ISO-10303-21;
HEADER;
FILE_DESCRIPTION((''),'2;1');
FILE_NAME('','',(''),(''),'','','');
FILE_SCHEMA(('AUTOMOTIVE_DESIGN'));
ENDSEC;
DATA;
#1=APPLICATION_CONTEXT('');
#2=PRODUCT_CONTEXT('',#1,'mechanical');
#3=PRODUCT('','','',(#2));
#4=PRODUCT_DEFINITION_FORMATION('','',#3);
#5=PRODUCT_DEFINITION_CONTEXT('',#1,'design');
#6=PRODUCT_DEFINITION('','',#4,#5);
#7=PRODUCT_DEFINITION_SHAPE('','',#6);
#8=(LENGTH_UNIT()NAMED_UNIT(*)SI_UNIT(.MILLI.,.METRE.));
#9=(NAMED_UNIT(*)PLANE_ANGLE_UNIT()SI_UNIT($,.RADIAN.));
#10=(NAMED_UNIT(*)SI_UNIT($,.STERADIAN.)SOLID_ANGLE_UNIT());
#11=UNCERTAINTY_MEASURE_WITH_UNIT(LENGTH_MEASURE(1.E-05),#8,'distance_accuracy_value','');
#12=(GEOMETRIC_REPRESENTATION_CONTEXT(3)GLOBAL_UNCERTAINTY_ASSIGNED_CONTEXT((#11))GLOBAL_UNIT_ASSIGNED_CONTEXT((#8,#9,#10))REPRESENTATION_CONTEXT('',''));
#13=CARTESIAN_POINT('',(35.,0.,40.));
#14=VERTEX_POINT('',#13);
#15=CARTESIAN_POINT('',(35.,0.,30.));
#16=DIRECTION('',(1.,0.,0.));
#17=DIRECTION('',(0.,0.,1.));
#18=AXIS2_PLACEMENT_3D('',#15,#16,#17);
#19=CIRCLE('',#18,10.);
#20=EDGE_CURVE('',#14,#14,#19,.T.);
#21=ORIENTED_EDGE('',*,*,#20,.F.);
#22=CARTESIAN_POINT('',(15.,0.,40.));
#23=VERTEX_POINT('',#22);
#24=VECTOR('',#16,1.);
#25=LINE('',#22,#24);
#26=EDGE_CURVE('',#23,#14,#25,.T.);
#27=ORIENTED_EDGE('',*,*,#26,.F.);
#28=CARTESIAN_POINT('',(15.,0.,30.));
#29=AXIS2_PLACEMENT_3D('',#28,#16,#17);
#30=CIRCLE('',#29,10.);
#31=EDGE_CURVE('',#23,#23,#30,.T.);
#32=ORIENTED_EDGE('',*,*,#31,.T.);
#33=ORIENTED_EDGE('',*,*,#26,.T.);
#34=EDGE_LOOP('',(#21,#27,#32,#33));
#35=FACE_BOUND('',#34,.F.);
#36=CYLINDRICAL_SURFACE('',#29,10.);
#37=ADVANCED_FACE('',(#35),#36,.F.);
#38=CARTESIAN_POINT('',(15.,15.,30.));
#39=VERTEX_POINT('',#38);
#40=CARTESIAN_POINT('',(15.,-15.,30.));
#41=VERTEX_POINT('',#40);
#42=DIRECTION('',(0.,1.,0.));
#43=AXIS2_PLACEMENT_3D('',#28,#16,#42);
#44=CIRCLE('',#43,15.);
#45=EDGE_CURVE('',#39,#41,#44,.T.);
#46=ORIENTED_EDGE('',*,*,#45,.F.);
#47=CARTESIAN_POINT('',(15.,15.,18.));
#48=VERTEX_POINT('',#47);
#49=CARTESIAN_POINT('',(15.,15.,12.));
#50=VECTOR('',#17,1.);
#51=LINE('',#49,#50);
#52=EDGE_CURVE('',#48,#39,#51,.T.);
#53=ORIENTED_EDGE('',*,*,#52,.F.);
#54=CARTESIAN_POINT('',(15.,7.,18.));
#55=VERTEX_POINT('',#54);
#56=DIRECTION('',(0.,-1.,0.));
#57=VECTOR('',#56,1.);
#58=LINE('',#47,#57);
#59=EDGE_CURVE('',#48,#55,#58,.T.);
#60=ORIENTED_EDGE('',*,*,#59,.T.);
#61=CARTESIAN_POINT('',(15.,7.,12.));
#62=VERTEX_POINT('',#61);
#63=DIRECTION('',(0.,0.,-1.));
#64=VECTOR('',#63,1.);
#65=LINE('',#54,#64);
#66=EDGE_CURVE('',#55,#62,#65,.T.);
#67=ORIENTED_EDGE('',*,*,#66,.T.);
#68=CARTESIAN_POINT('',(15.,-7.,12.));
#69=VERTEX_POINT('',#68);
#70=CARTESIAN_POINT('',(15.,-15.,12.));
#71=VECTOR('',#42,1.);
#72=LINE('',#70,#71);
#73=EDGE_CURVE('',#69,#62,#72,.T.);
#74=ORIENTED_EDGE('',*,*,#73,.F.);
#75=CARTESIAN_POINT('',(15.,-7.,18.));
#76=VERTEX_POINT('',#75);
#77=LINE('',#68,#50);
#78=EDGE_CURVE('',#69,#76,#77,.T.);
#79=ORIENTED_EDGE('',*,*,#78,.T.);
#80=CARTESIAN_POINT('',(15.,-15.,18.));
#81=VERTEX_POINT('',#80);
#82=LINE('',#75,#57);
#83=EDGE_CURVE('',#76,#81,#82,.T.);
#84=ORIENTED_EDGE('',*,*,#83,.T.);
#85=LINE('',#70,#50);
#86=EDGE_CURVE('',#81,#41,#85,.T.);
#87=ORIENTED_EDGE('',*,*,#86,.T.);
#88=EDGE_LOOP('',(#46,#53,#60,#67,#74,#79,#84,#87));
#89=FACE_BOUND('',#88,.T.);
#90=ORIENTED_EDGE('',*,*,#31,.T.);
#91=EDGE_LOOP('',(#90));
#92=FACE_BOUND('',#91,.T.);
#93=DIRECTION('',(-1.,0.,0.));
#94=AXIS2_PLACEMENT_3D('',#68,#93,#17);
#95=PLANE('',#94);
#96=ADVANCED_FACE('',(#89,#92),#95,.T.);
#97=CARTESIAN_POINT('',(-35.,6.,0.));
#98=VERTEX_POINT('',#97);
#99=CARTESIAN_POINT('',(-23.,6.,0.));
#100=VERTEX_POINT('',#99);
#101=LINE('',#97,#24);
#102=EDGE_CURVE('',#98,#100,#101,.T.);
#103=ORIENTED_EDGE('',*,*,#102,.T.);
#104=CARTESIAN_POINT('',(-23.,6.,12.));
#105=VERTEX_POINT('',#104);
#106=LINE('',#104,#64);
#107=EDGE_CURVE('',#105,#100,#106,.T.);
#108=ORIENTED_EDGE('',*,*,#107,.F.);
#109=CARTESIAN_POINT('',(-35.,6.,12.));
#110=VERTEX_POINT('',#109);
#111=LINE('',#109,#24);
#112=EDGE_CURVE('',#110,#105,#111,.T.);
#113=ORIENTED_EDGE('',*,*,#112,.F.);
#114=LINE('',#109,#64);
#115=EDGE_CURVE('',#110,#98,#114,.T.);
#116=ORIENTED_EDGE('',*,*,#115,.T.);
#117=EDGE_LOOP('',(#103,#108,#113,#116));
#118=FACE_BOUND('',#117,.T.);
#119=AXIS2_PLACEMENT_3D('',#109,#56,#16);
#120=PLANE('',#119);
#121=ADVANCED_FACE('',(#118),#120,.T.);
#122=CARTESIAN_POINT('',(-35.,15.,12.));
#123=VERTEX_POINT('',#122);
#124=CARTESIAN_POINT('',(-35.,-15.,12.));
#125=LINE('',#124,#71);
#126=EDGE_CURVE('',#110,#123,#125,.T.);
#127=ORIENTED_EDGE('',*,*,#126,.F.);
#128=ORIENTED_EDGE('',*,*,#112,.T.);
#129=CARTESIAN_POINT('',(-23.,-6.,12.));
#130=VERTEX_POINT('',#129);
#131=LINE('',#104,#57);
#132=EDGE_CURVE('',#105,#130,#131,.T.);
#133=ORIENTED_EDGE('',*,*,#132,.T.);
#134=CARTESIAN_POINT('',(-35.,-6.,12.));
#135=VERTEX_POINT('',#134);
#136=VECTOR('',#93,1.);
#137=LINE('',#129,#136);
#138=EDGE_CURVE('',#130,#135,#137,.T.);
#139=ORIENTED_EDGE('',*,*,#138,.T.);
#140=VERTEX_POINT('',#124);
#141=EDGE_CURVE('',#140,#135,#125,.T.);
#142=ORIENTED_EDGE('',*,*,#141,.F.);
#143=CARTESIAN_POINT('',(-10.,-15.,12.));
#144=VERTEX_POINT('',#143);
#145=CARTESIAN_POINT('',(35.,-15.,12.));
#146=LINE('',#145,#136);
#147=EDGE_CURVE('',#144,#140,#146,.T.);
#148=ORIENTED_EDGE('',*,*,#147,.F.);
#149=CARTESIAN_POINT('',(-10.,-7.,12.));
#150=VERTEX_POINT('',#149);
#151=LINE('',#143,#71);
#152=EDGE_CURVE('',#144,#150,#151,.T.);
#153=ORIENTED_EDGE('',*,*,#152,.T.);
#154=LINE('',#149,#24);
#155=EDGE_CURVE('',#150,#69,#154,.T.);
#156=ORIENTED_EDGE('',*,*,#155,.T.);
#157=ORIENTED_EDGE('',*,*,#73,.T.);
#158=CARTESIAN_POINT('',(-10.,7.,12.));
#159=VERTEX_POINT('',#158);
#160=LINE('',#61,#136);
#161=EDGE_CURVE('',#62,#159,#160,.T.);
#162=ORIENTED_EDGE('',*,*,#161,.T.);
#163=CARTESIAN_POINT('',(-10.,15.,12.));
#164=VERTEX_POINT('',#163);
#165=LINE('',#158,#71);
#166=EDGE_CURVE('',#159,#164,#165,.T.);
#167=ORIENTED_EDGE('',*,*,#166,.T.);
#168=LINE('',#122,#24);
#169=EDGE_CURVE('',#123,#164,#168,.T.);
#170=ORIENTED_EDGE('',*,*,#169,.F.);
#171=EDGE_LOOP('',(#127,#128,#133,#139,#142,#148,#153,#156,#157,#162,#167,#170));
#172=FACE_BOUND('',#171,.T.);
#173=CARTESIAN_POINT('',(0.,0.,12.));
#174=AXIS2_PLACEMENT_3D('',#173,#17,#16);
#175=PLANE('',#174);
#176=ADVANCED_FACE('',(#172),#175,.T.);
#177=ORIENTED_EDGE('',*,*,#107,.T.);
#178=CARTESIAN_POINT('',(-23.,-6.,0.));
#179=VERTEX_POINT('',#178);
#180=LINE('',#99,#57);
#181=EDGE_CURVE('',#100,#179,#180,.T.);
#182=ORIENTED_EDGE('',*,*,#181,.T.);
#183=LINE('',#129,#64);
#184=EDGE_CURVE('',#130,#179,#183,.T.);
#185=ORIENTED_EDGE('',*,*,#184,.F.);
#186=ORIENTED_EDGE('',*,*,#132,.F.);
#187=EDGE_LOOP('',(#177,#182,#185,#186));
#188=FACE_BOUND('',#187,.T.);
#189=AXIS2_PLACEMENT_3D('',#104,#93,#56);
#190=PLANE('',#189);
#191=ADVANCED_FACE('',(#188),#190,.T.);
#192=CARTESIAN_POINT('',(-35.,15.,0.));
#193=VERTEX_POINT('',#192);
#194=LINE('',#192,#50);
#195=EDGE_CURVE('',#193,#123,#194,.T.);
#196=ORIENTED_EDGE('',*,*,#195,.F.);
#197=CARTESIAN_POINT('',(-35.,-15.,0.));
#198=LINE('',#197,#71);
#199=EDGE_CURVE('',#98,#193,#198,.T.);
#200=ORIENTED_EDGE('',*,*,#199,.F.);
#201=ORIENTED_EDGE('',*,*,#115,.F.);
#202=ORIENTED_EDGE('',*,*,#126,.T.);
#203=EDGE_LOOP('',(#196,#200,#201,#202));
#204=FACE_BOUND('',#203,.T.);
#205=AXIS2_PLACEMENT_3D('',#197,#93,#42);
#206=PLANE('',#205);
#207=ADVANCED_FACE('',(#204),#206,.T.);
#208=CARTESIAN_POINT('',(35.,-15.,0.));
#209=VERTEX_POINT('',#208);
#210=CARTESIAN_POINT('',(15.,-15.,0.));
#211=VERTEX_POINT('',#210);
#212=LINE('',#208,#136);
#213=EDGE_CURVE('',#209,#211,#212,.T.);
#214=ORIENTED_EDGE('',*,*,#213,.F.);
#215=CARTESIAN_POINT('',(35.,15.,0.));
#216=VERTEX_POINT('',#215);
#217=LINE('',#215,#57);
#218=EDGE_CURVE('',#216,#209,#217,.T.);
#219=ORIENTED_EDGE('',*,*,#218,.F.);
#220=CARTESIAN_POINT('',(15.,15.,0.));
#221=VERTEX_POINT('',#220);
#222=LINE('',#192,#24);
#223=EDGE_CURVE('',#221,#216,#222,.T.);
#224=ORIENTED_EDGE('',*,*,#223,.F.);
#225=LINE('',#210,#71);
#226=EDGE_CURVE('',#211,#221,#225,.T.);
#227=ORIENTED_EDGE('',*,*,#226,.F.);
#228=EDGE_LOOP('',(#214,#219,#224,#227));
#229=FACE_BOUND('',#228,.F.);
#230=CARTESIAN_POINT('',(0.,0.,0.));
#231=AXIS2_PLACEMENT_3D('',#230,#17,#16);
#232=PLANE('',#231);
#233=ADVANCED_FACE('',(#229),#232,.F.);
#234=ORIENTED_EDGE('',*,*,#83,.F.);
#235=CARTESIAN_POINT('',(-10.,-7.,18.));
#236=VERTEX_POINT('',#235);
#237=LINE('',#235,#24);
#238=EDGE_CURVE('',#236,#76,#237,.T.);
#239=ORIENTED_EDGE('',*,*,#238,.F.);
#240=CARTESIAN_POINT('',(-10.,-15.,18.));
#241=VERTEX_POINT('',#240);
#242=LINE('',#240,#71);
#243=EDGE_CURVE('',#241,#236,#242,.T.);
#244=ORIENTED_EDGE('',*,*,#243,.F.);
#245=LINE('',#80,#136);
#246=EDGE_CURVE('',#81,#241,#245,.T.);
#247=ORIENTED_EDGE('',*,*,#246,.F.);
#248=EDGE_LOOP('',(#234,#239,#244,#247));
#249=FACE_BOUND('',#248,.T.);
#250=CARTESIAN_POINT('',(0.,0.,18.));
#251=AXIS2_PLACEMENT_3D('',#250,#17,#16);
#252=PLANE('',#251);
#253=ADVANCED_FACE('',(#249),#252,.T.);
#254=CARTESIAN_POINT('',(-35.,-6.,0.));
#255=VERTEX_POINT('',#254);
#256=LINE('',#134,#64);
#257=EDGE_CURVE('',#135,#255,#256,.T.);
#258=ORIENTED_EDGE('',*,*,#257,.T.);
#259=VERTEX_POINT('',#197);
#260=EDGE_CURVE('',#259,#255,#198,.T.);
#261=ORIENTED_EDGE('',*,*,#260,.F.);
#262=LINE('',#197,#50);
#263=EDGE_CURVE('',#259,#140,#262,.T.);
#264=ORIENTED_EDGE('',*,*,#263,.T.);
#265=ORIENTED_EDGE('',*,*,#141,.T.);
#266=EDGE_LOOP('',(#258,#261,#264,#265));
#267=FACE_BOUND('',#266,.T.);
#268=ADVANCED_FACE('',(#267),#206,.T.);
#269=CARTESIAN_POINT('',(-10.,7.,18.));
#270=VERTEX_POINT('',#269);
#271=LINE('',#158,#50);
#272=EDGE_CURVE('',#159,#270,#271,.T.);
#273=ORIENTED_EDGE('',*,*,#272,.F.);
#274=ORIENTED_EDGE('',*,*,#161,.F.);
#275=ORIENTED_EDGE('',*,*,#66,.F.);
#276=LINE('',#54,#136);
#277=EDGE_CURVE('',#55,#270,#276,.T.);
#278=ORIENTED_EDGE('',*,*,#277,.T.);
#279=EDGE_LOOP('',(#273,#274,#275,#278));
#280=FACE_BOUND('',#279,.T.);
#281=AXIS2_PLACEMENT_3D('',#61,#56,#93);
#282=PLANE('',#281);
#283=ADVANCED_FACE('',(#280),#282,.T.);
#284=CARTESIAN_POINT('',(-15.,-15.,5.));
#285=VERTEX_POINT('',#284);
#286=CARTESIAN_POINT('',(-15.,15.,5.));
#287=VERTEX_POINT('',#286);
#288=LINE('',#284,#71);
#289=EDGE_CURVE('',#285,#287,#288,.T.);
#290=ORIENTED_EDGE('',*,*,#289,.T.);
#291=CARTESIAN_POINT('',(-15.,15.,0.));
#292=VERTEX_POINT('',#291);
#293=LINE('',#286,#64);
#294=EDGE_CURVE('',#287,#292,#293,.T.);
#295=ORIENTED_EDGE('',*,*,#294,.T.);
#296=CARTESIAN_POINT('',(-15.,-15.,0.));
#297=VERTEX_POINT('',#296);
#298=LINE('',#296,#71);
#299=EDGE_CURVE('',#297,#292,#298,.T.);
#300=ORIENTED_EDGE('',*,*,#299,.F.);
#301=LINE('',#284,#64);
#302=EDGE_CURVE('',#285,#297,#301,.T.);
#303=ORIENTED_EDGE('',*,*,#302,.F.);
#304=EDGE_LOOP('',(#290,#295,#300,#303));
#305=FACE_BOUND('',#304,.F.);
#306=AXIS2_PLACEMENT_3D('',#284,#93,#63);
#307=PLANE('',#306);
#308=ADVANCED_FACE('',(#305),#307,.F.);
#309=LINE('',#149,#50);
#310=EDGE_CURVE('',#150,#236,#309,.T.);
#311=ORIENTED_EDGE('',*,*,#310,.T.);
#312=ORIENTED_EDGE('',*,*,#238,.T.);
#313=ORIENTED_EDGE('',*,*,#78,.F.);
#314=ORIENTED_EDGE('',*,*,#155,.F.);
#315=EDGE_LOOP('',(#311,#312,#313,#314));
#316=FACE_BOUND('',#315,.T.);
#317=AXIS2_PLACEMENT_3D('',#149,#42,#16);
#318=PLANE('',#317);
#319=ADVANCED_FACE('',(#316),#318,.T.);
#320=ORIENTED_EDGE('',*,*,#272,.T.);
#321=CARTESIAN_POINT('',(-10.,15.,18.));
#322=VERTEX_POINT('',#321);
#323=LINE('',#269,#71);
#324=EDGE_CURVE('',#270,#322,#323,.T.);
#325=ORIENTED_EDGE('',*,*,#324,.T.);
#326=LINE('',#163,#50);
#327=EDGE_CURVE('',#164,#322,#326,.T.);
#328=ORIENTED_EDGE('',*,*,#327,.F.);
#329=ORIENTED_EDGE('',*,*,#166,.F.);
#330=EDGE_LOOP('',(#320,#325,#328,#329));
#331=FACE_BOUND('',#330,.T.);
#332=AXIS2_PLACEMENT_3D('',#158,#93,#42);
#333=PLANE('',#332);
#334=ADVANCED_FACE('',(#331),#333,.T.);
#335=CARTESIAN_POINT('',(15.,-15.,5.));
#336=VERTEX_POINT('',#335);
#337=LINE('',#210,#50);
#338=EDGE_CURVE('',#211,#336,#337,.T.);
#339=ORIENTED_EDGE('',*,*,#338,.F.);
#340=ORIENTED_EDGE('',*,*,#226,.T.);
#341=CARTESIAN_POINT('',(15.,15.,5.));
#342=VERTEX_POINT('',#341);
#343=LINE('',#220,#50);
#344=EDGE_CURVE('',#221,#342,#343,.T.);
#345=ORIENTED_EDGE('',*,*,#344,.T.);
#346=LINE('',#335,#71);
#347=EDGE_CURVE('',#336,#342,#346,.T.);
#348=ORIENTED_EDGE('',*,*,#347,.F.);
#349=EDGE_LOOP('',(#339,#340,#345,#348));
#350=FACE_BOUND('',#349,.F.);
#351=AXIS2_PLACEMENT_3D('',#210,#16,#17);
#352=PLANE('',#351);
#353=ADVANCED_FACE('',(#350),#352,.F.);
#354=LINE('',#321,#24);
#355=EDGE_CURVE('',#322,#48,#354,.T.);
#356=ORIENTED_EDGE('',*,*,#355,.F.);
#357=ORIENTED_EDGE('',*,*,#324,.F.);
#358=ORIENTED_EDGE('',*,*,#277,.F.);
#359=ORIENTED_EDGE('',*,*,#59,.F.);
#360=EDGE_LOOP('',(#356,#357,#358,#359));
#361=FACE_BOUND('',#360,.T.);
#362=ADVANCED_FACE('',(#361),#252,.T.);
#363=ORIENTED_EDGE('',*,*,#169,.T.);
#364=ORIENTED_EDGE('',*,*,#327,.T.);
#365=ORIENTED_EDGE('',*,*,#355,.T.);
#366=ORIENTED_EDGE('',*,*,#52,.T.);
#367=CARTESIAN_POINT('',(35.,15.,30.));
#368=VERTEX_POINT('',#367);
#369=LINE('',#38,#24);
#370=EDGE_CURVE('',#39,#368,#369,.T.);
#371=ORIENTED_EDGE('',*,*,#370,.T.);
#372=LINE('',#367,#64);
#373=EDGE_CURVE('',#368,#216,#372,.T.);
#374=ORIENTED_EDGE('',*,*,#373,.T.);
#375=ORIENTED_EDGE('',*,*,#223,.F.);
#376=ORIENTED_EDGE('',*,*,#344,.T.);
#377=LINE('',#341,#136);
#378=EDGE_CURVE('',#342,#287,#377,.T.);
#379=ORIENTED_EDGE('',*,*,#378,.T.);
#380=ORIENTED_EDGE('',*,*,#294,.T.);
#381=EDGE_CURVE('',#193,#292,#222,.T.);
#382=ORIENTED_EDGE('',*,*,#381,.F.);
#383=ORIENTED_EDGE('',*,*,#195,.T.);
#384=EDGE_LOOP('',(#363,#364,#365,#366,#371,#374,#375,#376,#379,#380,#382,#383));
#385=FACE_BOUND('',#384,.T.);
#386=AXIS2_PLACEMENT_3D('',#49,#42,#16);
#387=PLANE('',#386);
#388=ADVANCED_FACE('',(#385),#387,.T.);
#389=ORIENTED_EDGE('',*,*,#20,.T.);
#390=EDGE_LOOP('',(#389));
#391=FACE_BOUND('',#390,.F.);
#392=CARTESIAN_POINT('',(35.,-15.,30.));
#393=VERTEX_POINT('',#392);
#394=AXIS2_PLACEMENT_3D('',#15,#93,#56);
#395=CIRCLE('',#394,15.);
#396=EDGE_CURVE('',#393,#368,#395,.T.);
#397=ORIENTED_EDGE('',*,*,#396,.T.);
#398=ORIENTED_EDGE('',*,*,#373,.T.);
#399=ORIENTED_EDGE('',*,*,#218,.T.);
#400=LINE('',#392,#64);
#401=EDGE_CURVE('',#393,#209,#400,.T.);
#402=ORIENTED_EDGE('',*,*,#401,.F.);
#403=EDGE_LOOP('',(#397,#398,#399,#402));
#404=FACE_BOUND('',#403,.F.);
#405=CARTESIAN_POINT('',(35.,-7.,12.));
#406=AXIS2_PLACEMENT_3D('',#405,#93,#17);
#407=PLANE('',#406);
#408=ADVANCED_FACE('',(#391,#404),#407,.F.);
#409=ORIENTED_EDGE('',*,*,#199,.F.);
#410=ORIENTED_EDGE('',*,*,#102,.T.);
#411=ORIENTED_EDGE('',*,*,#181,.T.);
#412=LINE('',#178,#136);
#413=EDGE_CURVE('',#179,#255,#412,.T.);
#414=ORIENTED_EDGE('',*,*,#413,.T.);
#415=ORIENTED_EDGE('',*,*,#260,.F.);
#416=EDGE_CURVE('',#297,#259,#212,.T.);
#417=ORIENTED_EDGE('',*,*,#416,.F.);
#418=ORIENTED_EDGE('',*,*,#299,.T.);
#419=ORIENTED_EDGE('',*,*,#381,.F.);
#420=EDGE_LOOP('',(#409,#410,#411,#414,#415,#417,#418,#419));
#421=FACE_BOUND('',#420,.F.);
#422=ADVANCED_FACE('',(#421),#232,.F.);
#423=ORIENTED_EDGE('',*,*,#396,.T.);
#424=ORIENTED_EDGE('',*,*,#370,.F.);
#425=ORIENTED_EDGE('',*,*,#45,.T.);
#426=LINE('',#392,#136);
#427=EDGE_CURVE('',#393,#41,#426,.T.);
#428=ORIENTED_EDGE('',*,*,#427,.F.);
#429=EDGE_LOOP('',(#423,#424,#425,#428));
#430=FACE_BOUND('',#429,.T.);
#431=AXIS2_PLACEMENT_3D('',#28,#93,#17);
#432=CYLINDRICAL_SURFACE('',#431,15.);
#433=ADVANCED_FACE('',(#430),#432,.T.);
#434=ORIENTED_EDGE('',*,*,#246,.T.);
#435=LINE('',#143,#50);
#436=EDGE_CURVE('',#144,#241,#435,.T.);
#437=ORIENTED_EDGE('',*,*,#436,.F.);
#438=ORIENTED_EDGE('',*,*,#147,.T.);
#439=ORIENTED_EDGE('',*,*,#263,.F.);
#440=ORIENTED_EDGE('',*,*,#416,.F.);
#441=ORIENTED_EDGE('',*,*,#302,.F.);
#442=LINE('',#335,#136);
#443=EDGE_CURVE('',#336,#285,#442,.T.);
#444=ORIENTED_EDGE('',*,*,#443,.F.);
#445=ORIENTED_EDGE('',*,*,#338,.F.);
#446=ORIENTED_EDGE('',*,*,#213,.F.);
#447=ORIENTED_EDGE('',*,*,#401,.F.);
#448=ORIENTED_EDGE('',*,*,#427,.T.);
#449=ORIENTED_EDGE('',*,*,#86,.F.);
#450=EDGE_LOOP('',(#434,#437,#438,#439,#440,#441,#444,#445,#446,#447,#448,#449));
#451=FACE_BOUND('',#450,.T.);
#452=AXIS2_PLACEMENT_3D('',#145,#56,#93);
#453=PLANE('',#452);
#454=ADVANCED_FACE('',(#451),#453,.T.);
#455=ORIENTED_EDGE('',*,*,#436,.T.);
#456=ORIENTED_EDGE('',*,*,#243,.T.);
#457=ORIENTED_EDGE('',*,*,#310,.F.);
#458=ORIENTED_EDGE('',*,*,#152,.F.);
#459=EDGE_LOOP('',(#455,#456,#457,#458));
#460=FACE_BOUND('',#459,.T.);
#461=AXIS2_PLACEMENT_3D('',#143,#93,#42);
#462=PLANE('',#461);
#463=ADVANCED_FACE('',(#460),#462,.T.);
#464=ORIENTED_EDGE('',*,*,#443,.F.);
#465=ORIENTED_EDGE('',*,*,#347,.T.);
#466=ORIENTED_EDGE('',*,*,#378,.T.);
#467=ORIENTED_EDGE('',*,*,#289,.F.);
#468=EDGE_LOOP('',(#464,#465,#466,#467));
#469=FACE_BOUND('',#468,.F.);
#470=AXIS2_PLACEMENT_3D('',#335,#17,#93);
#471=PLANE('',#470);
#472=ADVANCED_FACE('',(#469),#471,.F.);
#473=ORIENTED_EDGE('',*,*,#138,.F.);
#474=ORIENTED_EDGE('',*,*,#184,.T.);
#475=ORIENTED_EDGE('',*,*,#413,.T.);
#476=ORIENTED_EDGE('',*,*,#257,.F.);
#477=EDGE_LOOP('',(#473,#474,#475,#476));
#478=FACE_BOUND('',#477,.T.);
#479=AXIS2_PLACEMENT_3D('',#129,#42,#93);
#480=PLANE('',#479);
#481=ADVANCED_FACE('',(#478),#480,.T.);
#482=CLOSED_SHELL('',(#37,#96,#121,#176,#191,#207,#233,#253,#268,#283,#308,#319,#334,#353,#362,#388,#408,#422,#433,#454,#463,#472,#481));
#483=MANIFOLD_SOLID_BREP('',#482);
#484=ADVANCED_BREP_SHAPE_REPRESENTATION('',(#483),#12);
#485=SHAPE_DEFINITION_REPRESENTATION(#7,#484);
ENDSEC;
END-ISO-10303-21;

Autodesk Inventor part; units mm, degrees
ref_plane "YZ Plane" through (0, 0, 0) normal (1, 0, 0) x (0, 1, 0)
ref_plane "XZ Plane" through (0, 0, 0) normal (0, 1, 0) x (-1, 0, 0)
ref_plane "XY Plane" through (0, 0, 0) normal (0, 0, 1) x (1, 0, 0)
sketch "Эскиз1" plane through (0, 0, 0) normal (0, 0, 1) x (1, 0, 0)
  line L0 (-35, 15) -> (35, 15)
  line L1 (35, 15) -> (35, -15)
  line L2 (35, -15) -> (-35, -15)
  line L3 (-35, -15) -> (-35, 15)
  point P0 (0, 0)
  dimension "d0" = 70
  dimension "d1" = 30
  dimension "d2" = 15
  dimension "d3" = 35
extrude "Выдавливание1" add sketch "Эскиз1" along normal blind 12
sketch "Эскиз2" plane through (0, 0, 12) normal (0, 0, 1) x (1, 0, 0)
  line L0 (-35, 6) -> (-23, 6)
  line L1 (-23, 6) -> (-23, -6)
  line L2 (-23, -6) -> (-35, -6)
  line L3 (-35, -6) -> (-35, 6)
  point P0 (0, 0)
  dimension "d6" = 6
  dimension "d7" = 6
  dimension "d8" = 12
  dimension "d9" = 35
extrude "Выдавливание2" cut sketch "Эскиз2" against normal blind 12
sketch "Эскиз3" plane through (-35, -15, 0) normal (0, -1, 0) x (1, 0, 0)
  line L0 (70, 0) -> (0, 0) projected
  line L1 (20, 0) -> (50, 0)
  line L2 (50, 0) -> (50, 5)
  line L3 (50, 5) -> (20, 5)
  line L4 (20, 5) -> (20, 0)
  point P0 (35, 0)
  dimension "d12" = 30
  dimension "d13" = 5
  dimension "d14" = 20
extrude "Выдавливание3" cut sketch "Эскиз3" against normal blind 30
sketch "Эскиз4" plane through (0, 0, 12) normal (0, 0, 1) x (1, 0, 0)
  line L0 (-10, 15) -> (15, 15)
  line L1 (15, 15) -> (15, 7)
  line L2 (15, 7) -> (-10, 7)
  line L3 (-10, 7) -> (-10, 15)
  line L4 (15, -15) -> (-10, -15)
  line L5 (-10, -15) -> (-10, -7)
  line L6 (-10, -7) -> (15, -7)
  line L7 (15, -7) -> (15, -15)
  line L8 (35, -15) -> (35, 15) projected
  line L9 (-35, 15) -> (-35, 6) projected
  line L10 (-35, -6) -> (-35, -15) projected
  line L11 (-35, 6) -> (-23, 6) projected
  line L12 (-23, 6) -> (-23, -6) projected
  line L13 (-23, -6) -> (-35, -6) projected
  line L14 (-35, -6) -> (-35, -15) projected
  line L15 (-35, -15) -> (35, -15) projected
  line L16 (35, -15) -> (35, 15) projected
  line L17 (35, 15) -> (-35, 15) projected
  line L18 (-35, 15) -> (-35, 6) projected
  point P0 (0, 0)
  dimension "d17" = 20
  dimension "d18" = 20
  dimension "d19" = 25
  dimension "d20" = 25
  dimension "d21" = 14
  dimension "d22" = 8
  dimension "d23" = 8
  dimension "d24" = 7
extrude "Выдавливание4" add sketch "Эскиз4" along normal blind 6 contours L0 L1 L2 L3 | L4 L5 L6 L7
sketch "Эскиз5" plane through (0, 0, 12) normal (0, 0, 1) x (1, 0, 0)
  line L0 (15, 15) -> (35, 15)
  line L1 (35, 15) -> (35, -15)
  line L2 (35, -15) -> (15, -15)
  line L3 (15, -15) -> (15, 15)
  point P0 (0, 0)
extrude "Выдавливание5" add sketch "Эскиз5" along normal blind 18
sketch "Эскиз6" plane through (15, -7, 12) normal (-1, 0, 0) x (0, 0, 1)
  circle A0 centre (18, 7) radius 15
  point P0 (-12, 7)
  point P1 (18, 22)
  point P2 (18, -8)
  dimension "d29" = 30
extrude "Выдавливание6" add sketch "Эскиз6" against normal blind 20
sketch "Эскиз7" plane through (15, -7, 12) normal (-1, 0, 0) x (0, 0, 1)
  line L0 (0, 14) -> (6, 14) projected
  line L1 (0, 0) -> (0, 14) projected
  line L2 (0, 0) -> (6, 0) projected
  line L3 (6, -8) -> (6, 0) projected
  line L4 (6, -8) -> (18, -8) projected
  arc A0 (18, -8) -> (18, 22) centre (18, 7) ccw projected
  line L5 (6, 22) -> (18, 22) projected
  line L6 (6, 14) -> (6, 22) projected
  point P0 (-12, 7)
hole "Отверстие1" at (15, 0, 30) direction (1, 0, 0) diameter 20 depth 20 tip angle 118
properties part number "трон"
